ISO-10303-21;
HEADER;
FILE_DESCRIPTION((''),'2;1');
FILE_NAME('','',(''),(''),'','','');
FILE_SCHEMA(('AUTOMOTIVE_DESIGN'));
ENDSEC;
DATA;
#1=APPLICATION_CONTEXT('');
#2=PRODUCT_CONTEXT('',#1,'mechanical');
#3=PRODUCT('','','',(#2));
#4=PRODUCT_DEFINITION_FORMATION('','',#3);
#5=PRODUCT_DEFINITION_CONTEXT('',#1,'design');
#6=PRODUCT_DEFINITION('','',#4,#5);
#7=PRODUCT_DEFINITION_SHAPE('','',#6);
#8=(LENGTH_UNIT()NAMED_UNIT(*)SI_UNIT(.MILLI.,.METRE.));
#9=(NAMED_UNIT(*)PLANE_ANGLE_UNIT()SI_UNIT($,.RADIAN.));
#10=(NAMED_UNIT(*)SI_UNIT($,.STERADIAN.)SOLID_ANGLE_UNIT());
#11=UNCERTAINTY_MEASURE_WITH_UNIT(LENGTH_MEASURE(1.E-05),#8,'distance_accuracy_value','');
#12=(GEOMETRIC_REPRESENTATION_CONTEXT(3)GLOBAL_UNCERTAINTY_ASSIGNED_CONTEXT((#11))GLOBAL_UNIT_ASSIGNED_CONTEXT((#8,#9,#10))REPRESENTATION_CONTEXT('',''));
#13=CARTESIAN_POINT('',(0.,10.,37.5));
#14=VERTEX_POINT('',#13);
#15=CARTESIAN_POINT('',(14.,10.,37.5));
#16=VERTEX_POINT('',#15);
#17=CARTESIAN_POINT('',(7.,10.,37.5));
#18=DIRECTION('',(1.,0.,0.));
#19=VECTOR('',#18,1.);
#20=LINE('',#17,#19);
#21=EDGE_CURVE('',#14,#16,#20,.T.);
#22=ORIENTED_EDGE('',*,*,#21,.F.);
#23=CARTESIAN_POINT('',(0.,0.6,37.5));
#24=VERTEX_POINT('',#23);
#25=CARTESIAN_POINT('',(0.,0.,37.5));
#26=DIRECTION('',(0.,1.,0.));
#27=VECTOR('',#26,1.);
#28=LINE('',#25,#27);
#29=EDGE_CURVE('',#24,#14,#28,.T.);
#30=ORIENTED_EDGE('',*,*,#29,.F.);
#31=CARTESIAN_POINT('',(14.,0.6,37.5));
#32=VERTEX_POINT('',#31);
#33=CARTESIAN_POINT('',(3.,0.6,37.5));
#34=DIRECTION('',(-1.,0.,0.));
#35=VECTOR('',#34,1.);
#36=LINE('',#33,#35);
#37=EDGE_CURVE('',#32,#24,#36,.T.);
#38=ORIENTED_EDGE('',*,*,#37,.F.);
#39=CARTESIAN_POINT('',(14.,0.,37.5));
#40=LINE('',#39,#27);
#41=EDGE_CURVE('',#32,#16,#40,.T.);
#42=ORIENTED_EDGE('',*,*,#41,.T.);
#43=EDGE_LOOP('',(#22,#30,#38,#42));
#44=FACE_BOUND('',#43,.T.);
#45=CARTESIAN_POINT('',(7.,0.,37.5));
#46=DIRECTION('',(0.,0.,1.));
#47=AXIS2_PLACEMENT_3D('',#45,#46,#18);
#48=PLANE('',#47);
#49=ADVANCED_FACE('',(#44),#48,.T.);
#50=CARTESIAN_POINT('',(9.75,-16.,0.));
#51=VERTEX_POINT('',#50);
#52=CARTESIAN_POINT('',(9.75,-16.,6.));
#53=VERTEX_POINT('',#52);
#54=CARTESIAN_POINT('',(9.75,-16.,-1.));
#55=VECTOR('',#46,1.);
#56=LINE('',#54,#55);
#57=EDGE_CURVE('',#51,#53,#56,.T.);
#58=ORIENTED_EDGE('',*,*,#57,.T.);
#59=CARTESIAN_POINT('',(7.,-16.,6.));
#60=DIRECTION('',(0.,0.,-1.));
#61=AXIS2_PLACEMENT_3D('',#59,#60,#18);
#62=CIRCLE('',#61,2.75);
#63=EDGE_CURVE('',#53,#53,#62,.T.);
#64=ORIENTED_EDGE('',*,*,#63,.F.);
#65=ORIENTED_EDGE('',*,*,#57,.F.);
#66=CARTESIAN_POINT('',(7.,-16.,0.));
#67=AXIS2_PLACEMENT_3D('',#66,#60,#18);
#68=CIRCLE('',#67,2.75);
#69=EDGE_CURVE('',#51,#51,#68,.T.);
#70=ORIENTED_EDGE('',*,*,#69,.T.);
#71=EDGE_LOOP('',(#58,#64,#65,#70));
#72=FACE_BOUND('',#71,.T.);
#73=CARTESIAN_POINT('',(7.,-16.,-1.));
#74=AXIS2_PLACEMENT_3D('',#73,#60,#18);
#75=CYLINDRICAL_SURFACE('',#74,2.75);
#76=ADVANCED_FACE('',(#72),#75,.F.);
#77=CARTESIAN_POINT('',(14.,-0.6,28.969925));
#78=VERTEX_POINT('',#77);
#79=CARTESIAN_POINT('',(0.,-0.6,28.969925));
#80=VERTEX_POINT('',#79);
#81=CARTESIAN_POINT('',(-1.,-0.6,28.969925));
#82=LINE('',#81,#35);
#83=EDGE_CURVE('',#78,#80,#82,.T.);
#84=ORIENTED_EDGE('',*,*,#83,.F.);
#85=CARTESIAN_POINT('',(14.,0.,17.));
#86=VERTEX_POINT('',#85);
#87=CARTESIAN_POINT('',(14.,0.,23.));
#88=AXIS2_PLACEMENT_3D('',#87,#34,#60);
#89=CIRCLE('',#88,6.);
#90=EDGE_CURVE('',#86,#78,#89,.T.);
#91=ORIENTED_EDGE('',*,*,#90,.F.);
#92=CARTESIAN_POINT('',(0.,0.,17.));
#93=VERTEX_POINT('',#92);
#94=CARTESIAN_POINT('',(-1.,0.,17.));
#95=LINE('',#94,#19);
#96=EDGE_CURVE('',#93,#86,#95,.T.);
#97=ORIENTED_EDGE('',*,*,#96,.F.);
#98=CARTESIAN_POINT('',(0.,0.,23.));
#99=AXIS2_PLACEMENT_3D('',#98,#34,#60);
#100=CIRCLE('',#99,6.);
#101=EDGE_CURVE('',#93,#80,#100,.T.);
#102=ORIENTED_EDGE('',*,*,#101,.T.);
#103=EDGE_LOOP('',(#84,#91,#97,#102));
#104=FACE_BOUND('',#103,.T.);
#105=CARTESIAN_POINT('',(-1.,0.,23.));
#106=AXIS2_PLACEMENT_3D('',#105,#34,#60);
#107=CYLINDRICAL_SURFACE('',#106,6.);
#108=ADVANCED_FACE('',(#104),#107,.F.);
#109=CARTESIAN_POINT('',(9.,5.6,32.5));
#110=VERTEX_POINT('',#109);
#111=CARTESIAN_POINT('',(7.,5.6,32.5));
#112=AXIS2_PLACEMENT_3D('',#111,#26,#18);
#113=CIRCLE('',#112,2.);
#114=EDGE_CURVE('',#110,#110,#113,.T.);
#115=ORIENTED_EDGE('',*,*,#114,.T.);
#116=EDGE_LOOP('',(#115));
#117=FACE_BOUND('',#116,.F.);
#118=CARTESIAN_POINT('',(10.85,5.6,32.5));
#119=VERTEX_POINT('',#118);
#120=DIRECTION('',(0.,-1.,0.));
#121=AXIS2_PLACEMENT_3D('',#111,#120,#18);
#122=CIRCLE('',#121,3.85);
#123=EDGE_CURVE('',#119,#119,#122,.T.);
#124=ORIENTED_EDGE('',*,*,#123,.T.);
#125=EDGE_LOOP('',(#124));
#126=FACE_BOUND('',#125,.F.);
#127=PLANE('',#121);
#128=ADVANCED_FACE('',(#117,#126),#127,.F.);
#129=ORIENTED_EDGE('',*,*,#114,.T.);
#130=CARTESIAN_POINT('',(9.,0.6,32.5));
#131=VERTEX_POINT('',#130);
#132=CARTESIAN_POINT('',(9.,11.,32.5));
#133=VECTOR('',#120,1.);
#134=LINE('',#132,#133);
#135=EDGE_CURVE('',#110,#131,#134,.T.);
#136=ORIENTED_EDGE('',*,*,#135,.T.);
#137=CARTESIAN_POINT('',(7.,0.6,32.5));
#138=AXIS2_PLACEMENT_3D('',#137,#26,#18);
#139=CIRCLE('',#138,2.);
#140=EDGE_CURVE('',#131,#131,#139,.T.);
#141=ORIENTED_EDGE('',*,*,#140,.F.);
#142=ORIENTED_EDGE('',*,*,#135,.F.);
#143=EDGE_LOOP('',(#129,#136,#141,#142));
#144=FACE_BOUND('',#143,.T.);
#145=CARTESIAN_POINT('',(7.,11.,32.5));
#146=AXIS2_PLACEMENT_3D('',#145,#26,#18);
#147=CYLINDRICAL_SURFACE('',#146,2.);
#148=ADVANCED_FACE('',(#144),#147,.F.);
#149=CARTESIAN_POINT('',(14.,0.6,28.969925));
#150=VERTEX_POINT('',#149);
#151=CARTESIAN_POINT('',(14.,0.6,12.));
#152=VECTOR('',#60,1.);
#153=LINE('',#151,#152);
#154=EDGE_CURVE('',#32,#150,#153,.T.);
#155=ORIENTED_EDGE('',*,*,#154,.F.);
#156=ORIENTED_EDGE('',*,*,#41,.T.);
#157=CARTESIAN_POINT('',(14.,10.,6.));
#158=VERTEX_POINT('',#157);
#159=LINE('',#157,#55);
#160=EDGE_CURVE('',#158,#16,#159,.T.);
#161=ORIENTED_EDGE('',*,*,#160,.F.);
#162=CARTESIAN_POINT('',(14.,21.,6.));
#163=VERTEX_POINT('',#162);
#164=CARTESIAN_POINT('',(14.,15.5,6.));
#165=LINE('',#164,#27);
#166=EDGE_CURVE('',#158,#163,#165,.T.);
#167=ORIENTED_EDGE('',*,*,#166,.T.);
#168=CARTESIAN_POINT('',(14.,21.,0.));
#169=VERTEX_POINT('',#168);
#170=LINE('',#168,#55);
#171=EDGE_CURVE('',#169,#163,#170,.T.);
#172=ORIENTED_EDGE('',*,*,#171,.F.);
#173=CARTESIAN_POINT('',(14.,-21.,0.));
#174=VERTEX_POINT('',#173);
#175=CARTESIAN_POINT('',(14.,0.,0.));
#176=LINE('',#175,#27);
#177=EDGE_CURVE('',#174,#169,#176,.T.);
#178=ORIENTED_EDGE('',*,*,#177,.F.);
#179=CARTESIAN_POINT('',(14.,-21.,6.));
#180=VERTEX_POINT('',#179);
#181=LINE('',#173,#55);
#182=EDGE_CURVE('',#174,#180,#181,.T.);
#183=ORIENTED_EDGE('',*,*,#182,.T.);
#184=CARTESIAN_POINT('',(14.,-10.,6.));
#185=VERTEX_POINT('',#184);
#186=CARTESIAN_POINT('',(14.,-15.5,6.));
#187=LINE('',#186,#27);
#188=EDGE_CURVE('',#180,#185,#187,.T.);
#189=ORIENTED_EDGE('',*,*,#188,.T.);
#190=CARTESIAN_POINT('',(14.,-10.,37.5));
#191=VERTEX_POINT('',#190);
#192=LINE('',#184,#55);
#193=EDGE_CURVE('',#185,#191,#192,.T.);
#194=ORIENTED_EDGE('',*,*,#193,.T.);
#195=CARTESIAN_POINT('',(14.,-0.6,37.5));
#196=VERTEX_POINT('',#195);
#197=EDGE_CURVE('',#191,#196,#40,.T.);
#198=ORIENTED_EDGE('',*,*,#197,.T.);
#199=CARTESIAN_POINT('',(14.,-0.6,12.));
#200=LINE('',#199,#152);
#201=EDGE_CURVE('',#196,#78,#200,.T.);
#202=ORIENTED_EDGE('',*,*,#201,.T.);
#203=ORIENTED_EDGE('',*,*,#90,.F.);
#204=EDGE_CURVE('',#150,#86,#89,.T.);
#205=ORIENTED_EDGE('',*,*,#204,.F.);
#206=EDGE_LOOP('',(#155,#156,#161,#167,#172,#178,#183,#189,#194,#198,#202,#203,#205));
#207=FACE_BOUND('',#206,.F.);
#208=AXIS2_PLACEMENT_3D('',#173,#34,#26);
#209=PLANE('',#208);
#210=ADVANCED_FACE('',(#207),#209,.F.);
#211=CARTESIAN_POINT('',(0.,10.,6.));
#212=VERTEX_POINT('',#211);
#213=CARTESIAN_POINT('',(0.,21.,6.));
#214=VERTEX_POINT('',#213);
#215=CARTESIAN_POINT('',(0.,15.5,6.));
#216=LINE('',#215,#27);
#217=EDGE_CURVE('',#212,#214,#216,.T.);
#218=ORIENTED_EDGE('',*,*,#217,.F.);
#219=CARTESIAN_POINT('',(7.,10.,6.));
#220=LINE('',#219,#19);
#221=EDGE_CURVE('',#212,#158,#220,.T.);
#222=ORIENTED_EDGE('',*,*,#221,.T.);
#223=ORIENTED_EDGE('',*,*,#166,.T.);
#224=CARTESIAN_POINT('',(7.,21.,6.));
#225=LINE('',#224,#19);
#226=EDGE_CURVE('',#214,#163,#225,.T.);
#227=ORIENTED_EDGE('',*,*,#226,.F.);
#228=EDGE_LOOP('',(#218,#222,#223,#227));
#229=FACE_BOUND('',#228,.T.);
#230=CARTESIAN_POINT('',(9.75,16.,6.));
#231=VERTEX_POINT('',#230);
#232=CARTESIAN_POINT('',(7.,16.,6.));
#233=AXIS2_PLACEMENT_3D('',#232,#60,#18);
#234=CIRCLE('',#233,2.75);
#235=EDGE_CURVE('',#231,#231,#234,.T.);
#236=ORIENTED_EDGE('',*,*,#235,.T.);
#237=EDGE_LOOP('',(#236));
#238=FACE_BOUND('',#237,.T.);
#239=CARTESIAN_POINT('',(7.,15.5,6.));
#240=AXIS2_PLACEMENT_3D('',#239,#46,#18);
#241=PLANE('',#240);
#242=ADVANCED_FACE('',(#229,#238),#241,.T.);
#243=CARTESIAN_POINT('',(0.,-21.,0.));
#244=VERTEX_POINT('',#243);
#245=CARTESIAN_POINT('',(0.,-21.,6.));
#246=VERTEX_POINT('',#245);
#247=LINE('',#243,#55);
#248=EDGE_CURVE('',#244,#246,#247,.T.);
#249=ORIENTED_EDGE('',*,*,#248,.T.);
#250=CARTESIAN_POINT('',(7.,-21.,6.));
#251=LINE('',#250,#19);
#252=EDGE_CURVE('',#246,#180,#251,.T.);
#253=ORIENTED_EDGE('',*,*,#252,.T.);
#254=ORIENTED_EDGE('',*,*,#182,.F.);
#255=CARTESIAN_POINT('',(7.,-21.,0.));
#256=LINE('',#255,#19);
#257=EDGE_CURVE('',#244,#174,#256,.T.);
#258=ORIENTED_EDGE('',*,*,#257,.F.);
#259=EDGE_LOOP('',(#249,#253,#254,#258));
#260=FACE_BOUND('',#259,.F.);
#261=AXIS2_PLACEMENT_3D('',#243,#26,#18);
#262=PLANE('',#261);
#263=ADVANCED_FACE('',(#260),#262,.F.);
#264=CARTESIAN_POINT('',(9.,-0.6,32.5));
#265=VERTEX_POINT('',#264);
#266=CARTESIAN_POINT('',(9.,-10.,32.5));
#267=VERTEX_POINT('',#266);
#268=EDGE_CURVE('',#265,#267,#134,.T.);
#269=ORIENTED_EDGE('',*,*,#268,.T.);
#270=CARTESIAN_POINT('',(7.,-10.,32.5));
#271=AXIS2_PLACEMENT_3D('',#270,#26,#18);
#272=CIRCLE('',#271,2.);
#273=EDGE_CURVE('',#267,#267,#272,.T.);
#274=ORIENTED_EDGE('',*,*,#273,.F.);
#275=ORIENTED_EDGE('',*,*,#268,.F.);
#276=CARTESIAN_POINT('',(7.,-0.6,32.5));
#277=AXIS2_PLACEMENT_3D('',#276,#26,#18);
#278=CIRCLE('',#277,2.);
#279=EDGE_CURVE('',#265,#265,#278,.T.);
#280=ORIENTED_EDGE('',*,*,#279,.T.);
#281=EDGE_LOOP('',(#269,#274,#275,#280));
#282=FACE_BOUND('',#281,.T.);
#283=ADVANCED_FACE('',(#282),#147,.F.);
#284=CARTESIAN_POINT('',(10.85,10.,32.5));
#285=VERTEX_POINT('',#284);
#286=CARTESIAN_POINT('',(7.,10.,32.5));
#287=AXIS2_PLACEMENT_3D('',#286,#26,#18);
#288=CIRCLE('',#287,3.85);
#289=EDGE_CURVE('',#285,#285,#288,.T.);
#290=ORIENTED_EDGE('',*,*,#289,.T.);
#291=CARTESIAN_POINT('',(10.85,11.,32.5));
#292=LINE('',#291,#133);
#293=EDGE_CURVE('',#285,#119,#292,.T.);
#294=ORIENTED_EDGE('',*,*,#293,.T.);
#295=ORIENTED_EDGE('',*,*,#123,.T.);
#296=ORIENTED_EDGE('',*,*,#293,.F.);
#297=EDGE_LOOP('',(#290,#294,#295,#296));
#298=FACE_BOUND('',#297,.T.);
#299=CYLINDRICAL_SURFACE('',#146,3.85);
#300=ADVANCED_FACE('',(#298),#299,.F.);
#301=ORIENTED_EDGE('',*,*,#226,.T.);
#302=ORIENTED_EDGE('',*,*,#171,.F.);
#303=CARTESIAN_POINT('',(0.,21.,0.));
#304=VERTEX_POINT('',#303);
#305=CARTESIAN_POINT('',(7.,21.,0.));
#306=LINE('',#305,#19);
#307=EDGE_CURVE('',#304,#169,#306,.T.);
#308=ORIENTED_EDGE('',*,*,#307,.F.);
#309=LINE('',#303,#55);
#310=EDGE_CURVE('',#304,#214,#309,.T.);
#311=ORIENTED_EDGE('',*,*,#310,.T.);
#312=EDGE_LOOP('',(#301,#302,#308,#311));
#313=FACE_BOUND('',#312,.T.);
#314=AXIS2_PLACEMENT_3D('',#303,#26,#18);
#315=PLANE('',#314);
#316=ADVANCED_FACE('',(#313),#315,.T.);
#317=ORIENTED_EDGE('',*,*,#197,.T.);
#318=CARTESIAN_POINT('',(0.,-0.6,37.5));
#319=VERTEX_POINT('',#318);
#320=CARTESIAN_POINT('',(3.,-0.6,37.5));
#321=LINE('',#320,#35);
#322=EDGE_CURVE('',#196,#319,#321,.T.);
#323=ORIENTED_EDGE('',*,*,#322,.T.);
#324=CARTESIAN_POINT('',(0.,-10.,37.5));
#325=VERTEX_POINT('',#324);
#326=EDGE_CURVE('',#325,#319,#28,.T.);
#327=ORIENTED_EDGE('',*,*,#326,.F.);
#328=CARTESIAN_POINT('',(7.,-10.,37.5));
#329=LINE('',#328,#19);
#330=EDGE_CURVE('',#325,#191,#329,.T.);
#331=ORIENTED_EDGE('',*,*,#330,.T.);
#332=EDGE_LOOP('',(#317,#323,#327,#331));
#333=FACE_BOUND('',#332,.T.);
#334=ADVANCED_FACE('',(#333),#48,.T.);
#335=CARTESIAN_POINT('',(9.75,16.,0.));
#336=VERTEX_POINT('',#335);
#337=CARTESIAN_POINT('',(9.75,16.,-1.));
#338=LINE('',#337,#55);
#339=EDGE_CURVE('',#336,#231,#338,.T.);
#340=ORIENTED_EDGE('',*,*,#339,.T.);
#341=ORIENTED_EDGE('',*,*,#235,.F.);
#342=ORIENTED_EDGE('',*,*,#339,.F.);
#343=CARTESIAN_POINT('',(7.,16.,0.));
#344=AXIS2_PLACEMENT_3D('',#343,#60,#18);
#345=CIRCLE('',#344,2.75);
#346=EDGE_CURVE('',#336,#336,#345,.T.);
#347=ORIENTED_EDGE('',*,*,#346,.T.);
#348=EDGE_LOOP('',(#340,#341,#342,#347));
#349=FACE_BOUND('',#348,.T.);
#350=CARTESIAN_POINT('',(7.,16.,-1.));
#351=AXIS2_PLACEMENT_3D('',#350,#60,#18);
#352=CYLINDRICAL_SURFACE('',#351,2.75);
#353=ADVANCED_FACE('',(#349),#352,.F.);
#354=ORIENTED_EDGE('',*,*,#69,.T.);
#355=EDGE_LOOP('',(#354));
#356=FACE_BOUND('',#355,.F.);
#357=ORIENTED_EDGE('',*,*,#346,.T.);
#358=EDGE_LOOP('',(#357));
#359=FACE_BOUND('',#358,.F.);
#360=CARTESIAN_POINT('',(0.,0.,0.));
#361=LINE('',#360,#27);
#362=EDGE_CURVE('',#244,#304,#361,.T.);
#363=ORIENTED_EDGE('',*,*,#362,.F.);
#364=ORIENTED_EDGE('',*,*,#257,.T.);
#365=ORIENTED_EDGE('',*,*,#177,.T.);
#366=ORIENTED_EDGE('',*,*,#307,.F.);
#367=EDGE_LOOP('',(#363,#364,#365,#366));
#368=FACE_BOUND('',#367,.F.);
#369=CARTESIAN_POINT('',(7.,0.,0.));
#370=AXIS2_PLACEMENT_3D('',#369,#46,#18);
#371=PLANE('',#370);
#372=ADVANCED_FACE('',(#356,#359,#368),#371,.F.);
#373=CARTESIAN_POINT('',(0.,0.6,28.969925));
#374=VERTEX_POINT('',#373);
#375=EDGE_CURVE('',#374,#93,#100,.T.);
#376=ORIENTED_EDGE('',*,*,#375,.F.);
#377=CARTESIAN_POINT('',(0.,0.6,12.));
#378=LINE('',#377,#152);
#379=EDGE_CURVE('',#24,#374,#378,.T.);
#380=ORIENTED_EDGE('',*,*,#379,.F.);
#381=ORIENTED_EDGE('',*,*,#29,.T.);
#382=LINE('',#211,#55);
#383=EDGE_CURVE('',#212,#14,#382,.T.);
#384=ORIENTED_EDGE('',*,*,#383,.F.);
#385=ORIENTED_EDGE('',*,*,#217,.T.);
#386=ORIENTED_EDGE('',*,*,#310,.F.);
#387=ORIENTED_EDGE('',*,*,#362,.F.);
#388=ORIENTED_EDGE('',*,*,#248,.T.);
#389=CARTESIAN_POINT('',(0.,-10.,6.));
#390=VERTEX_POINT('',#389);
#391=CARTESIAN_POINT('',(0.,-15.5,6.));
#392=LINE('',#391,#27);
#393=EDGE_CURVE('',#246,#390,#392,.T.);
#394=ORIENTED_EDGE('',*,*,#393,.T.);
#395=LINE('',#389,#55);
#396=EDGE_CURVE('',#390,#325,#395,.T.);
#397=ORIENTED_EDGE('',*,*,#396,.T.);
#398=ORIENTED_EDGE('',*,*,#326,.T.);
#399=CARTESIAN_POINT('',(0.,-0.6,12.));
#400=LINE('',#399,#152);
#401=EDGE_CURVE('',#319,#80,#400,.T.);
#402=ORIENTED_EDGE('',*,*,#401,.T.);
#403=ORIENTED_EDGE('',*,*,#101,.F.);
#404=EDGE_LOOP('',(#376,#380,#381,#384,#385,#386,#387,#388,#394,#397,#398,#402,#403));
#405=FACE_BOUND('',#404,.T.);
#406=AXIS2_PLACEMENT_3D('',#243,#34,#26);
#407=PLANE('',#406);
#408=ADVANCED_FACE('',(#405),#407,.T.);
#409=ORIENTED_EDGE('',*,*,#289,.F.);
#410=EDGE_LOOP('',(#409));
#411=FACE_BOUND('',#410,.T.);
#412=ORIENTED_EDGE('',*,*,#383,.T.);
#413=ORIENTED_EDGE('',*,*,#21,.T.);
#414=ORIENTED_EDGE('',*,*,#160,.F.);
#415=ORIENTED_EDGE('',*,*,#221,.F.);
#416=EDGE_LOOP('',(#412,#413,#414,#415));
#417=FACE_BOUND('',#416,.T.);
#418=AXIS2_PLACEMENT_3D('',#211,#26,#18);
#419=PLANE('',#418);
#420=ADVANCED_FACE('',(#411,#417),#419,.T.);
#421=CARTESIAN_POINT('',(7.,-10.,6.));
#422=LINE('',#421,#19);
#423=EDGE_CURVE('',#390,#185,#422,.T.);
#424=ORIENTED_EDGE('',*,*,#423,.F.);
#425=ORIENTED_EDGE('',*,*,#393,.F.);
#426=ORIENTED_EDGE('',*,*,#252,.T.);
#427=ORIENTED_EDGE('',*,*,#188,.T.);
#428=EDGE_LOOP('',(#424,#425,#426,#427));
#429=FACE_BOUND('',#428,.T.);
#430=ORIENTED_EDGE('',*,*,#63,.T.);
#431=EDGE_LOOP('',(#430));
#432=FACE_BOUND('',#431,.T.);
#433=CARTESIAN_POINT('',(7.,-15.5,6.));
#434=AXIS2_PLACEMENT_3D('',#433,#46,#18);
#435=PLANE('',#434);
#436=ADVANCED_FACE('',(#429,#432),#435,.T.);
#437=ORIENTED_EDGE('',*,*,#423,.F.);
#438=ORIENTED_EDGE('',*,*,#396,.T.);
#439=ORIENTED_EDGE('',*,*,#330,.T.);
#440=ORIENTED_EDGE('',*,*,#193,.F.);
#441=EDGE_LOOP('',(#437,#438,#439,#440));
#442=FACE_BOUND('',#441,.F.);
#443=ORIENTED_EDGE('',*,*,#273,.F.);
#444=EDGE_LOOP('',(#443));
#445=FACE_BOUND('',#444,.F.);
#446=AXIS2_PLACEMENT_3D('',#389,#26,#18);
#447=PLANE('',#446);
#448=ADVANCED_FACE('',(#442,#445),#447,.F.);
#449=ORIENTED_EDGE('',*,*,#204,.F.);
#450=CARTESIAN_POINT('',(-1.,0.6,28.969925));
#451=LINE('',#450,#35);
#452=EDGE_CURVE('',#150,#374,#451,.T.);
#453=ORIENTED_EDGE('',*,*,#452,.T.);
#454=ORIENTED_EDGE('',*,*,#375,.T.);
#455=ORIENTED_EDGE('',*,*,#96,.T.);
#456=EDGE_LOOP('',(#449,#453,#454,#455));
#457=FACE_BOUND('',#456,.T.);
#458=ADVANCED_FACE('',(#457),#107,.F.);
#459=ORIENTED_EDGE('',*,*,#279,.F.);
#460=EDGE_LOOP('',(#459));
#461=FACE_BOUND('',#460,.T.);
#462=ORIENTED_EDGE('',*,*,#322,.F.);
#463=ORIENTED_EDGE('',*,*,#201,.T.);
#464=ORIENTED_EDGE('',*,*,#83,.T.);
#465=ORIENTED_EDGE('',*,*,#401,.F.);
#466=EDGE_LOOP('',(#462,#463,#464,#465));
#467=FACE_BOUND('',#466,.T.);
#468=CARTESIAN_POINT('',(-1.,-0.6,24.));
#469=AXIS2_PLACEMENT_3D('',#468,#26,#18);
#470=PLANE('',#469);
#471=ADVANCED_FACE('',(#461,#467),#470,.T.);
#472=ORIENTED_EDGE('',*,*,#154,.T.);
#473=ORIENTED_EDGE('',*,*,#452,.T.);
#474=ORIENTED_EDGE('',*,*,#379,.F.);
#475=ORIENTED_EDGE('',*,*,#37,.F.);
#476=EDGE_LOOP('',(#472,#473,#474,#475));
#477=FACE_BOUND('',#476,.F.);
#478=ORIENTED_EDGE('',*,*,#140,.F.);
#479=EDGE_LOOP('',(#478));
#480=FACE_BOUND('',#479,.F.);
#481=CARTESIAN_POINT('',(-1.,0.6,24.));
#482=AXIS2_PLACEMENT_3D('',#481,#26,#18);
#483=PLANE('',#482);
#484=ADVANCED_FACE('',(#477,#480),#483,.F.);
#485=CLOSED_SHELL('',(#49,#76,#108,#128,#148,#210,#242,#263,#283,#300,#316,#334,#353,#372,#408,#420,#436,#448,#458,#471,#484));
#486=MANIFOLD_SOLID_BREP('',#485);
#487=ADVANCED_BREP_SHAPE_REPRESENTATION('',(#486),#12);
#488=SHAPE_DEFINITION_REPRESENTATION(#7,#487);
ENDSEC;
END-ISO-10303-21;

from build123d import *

# Parameters (mm, degrees)
MBOLT_SH_L_R           = 2.75
MBOLT_SH_L_DEPTH       = 8
MBOLT_SH_R_R           = 2.75
MBOLT_SH_R_DEPTH       = 8
TBOLT_SHAFT_R          = 2
TBOLT_SHAFT_DEPTH      = 22
TBOLT_SHAFT_ROLL_ANGLE = 90
UP_SEP_W               = 16
UP_SEP_H               = 1.2
UP_SEP_DEPTH           = 15.5
SHAFT_HOLE_R           = 6
SHAFT_HOLE_DEPTH       = 16
SHAFT_HOLE_PITCH_ANGLE = 90
TBOLT_HEAD_R           = 3.85
TBOLT_HEAD_DEPTH       = 5.4
TBOLT_HEAD_ROLL_ANGLE  = 90
SIDE_BOX_L_W           = 14
SIDE_BOX_L_H           = 11
SIDE_BOX_L_DEPTH       = 31.5
SIDE_BOX_R_W           = 14
SIDE_BOX_R_H           = 11
SIDE_BOX_R_DEPTH       = 31.5
TOTAL_BOX_W            = 14
TOTAL_BOX_H            = 42
TOTAL_BOX_DEPTH        = 37.5


with BuildPart() as mbolt_sh_l:
    # mbolt_sh_l → mbolt_sh_l (new body)
    with BuildSketch(Plane(origin=(7, -16, -1), x_dir=(1, 0, 0), z_dir=(0, 0, 1))):
        Circle(MBOLT_SH_L_R)
    extrude(amount=MBOLT_SH_L_DEPTH)


with BuildPart() as mbolts_sh:
    # mbolt_sh_r → mbolt_sh_r (new body)
    with BuildSketch(Plane(origin=(7, 16, -1), x_dir=(1, 0, 0), z_dir=(0, 0, 1))):
        Circle(MBOLT_SH_R_R)
    extrude(amount=MBOLT_SH_R_DEPTH)

    # mbolts_sh: union mbolt_sh_l
    add(mbolt_sh_l.part)


with BuildPart() as tbolt_shaft:
    # tbolt_shaft → tbolt_shaft (new body)
    with BuildSketch(Plane.XY):
        Circle(TBOLT_SHAFT_R)
    extrude(amount=TBOLT_SHAFT_DEPTH)


with BuildPart() as tbolt_shaft_1:
    # tbolt_shaft roll: moved
    add(tbolt_shaft.part.rotate(Axis((0, 0, 0), (1, 0, 0)), TBOLT_SHAFT_ROLL_ANGLE))


with BuildPart() as tbolt_shaft_2:
    # tbolt_shaft placement: moved
    add(tbolt_shaft_1.part.moved(Location((7, 11, 32.5))))


with BuildPart() as up_sep:
    # up_sep → up_sep (new body)
    with BuildSketch(Plane(origin=(-1, -0.6, 24), x_dir=(1, 0, 0), z_dir=(0, 0, 1))):
        with Locations((8, 0.6)):
            Rectangle(UP_SEP_W, UP_SEP_H)
    extrude(amount=UP_SEP_DEPTH)


with BuildPart() as shaft_hole:
    # shaft_hole → shaft_hole (new body)
    with BuildSketch(Plane.XY):
        Circle(SHAFT_HOLE_R)
    extrude(amount=SHAFT_HOLE_DEPTH)


with BuildPart() as shaft_hole_1:
    # shaft_hole pitch: moved
    add(shaft_hole.part.rotate(Axis((0, 0, 0), (0, 1, 0)), SHAFT_HOLE_PITCH_ANGLE))


with BuildPart() as shaft_hole_2:
    # shaft_hole placement: moved
    add(shaft_hole_1.part.moved(Location((-1, 0, 23))))


with BuildPart() as fuse_shaft_holes:
    # tbolt_head → tbolt_head (new body)
    with BuildSketch(Plane.XY):
        Circle(TBOLT_HEAD_R)
    extrude(amount=TBOLT_HEAD_DEPTH)


with BuildPart() as fuse_shaft_holes_1:
    # tbolt_head roll: moved
    add(fuse_shaft_holes.part.rotate(Axis((0, 0, 0), (1, 0, 0)), TBOLT_HEAD_ROLL_ANGLE))


with BuildPart() as fuse_shaft_holes_2:
    # tbolt_head placement: moved
    add(fuse_shaft_holes_1.part.moved(Location((7, 11, 32.5))))

    # fuse_shaft_holes: union tbolt_shaft, up_sep, shaft_hole
    add(tbolt_shaft_2.part)
    add(up_sep.part)
    add(shaft_hole_2.part)


with BuildPart() as side_box_l:
    # side_box_l → side_box_l (new body)
    with BuildSketch(Plane(origin=(0, -21, 6), x_dir=(1, 0, 0), z_dir=(0, 0, 1))):
        with Locations((7, 5.5)):
            Rectangle(SIDE_BOX_L_W, SIDE_BOX_L_H)
    extrude(amount=SIDE_BOX_L_DEPTH)


with BuildPart() as side_boxes:
    # side_box_r → side_box_r (new body)
    with BuildSketch(Plane(origin=(0, 10, 6), x_dir=(1, 0, 0), z_dir=(0, 0, 1))):
        with Locations((7, 5.5)):
            Rectangle(SIDE_BOX_R_W, SIDE_BOX_R_H)
    extrude(amount=SIDE_BOX_R_DEPTH)

    # side_boxes: union side_box_l
    add(side_box_l.part)


with BuildPart() as sk_final:
    # total_box → total_box (new body)
    with BuildSketch(Plane(origin=(0, -21, 0), x_dir=(1, 0, 0), z_dir=(0, 0, 1))):
        with Locations((7, 21)):
            Rectangle(TOTAL_BOX_W, TOTAL_BOX_H)
    extrude(amount=TOTAL_BOX_DEPTH)

    # sk_shape: cut side_boxes
    add(side_boxes.part, mode=Mode.SUBTRACT)

    # sk_shape_w_holes: cut fuse_shaft_holes
    add(fuse_shaft_holes_2.part, mode=Mode.SUBTRACT)

    # sk_final: cut mbolts_sh
    add(mbolts_sh.part, mode=Mode.SUBTRACT)


solid = sk_final.part
